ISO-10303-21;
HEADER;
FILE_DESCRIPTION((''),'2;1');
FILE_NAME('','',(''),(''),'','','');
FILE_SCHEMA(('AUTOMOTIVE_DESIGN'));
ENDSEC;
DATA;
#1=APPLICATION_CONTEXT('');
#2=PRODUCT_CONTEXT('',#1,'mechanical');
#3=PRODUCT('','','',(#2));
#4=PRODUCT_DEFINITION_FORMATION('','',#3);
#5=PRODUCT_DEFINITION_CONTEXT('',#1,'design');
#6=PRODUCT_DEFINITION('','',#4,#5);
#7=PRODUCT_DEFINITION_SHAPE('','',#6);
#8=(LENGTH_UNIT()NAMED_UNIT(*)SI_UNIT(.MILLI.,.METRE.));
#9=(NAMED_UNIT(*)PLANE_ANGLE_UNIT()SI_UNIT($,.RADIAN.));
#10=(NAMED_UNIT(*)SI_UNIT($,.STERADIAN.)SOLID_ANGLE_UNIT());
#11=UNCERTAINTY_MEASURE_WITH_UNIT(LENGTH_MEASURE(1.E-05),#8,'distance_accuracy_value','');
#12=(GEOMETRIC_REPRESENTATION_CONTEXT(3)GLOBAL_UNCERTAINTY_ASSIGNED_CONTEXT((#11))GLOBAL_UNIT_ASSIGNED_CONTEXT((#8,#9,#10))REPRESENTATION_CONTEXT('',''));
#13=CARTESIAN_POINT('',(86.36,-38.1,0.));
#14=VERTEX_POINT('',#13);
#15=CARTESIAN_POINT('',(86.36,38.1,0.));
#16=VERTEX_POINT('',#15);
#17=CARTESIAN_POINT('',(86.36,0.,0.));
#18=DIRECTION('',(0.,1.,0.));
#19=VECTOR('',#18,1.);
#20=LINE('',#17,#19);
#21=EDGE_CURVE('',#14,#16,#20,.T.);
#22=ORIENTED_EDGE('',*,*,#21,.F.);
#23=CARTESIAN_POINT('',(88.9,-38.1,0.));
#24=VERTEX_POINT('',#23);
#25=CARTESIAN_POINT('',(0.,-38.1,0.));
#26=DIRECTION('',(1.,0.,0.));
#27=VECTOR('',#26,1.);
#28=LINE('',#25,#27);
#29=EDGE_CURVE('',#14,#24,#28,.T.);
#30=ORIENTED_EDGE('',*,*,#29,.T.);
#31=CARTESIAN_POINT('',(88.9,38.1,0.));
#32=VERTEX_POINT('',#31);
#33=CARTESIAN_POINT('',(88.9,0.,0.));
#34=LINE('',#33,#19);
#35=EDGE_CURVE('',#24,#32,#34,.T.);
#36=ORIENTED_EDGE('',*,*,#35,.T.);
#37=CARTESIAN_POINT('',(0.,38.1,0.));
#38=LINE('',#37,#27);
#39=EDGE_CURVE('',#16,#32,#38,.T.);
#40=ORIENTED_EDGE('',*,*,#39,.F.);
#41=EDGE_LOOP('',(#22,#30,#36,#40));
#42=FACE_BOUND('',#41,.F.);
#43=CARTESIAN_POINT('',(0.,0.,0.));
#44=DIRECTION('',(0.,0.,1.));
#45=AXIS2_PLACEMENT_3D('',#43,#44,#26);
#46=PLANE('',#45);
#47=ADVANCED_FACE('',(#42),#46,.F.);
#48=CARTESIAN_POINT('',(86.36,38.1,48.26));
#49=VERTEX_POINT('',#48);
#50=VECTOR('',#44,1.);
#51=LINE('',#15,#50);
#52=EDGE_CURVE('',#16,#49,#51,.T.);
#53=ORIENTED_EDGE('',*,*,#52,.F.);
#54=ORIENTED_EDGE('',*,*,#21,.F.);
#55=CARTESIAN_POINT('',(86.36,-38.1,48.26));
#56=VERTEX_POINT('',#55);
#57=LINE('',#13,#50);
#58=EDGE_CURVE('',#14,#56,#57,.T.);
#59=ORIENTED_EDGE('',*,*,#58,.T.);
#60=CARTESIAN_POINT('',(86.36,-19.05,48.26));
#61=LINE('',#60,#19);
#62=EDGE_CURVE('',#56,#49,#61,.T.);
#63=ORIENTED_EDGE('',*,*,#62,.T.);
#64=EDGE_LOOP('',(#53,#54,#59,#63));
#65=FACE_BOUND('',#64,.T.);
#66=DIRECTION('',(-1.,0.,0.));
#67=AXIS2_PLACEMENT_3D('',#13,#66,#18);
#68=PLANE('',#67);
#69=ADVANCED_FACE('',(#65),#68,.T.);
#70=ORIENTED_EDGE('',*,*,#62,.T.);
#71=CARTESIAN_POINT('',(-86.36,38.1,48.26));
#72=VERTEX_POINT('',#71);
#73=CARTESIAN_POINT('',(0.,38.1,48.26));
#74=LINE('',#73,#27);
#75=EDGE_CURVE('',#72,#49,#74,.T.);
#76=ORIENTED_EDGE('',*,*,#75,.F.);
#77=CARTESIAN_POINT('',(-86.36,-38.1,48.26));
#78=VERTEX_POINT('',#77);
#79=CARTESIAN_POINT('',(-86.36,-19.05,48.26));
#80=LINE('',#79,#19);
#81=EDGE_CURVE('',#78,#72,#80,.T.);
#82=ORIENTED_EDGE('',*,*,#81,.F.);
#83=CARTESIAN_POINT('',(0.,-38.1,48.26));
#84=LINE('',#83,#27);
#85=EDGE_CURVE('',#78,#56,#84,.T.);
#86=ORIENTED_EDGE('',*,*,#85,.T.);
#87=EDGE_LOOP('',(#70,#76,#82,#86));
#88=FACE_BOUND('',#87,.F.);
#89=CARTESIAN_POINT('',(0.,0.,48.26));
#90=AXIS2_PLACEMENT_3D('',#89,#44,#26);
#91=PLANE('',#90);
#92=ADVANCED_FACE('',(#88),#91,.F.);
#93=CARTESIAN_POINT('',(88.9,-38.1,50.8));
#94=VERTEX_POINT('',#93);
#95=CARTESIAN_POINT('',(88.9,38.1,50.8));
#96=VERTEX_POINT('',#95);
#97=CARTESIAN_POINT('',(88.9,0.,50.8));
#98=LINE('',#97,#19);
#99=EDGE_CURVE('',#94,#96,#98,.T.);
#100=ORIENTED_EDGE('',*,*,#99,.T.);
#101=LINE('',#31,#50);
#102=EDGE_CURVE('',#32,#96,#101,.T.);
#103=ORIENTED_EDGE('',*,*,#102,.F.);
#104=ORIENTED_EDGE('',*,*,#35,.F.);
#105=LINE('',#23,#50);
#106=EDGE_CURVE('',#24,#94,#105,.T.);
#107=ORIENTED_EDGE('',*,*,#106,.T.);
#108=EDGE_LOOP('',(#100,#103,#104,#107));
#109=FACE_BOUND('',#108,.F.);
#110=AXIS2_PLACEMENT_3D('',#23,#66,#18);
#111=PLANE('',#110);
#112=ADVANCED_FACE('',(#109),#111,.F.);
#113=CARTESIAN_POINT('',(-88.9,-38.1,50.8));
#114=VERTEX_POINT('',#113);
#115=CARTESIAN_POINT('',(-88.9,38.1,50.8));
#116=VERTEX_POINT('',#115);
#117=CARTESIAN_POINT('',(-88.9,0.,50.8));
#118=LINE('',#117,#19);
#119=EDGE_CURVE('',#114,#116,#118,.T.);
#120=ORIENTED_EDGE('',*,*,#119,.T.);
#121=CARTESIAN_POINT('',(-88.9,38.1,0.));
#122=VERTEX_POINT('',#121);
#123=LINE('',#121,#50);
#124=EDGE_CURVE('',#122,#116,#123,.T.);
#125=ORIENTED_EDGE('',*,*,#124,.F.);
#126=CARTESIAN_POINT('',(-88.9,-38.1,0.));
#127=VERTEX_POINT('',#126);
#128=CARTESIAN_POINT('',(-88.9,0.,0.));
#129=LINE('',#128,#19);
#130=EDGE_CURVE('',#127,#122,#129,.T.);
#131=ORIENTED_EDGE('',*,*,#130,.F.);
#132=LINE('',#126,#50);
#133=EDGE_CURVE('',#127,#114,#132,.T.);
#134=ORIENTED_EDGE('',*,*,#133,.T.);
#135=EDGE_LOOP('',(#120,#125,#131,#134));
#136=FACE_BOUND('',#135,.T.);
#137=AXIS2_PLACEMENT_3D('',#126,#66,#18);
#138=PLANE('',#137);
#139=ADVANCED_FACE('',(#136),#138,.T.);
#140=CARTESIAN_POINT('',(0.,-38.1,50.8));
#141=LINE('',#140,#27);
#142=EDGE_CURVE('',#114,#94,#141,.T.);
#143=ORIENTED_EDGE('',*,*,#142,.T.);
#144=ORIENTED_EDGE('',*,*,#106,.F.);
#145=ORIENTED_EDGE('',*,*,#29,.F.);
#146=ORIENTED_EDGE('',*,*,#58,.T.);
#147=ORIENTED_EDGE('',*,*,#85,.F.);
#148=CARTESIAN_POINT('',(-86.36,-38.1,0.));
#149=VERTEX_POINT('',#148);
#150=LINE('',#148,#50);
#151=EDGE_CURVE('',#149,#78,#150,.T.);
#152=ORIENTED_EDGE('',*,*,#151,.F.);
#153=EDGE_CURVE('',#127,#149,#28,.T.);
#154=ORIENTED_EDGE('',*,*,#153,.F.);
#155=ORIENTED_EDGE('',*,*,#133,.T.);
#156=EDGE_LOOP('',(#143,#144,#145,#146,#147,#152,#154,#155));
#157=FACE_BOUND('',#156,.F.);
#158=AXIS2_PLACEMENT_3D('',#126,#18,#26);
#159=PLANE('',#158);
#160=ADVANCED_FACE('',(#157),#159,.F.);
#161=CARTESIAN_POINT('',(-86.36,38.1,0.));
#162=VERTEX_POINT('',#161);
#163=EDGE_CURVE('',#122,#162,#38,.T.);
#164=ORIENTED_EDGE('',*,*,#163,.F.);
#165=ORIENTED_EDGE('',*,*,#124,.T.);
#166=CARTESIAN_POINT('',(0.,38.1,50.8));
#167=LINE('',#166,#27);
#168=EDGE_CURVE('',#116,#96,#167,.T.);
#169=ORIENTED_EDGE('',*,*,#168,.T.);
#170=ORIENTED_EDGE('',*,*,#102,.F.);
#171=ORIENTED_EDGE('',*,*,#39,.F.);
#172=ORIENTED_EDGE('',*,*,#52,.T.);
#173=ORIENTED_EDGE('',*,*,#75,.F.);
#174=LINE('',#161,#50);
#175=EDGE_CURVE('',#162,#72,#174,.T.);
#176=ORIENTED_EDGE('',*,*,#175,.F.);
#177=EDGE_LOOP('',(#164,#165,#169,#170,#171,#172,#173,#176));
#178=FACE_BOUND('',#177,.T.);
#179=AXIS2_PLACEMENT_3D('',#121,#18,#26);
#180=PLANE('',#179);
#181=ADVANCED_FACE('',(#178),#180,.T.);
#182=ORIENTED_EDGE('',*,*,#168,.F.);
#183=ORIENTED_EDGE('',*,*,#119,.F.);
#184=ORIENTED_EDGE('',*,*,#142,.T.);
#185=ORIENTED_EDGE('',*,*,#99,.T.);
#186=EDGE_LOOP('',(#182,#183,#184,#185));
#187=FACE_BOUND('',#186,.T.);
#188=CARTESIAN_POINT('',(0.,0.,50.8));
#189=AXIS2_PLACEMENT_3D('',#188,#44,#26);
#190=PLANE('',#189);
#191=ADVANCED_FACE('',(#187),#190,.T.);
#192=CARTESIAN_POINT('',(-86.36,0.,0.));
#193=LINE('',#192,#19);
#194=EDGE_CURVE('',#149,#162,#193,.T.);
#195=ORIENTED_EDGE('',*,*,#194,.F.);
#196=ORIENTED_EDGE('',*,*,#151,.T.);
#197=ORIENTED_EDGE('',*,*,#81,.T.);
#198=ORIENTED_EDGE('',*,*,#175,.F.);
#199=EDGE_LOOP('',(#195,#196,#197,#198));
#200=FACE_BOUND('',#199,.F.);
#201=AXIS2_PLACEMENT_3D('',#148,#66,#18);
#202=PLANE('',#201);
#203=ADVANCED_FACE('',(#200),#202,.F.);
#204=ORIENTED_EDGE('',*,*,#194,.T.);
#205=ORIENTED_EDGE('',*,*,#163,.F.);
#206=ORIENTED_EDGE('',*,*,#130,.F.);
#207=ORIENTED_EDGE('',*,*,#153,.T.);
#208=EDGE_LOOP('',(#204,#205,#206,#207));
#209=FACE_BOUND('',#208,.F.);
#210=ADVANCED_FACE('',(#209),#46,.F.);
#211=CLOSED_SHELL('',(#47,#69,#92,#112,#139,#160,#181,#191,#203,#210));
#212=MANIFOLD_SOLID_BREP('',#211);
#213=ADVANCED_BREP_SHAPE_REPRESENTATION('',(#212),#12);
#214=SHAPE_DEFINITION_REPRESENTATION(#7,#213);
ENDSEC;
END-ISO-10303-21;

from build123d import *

# Parameters (mm, degrees)
F0_W     = 177.8
F0_H     = 76.2
F1_DEPTH = 50.8
F2_T     = -2.54


with BuildPart() as f1:
    # F0 (on Top) → F1 (new body)
    with BuildSketch(Plane.XY):
        Rectangle(F0_W, F0_H)
    extrude(amount=F1_DEPTH)

    # F2
    f2_openings = [f1.faces().sort_by_distance(p)[0] for p in [
        (0, -38.1, 25.4),
        (0, 38.1, 25.4),
        (0, 0, 0),
    ]]
    offset(amount=F2_T, openings=f2_openings)


solid = f1.part
